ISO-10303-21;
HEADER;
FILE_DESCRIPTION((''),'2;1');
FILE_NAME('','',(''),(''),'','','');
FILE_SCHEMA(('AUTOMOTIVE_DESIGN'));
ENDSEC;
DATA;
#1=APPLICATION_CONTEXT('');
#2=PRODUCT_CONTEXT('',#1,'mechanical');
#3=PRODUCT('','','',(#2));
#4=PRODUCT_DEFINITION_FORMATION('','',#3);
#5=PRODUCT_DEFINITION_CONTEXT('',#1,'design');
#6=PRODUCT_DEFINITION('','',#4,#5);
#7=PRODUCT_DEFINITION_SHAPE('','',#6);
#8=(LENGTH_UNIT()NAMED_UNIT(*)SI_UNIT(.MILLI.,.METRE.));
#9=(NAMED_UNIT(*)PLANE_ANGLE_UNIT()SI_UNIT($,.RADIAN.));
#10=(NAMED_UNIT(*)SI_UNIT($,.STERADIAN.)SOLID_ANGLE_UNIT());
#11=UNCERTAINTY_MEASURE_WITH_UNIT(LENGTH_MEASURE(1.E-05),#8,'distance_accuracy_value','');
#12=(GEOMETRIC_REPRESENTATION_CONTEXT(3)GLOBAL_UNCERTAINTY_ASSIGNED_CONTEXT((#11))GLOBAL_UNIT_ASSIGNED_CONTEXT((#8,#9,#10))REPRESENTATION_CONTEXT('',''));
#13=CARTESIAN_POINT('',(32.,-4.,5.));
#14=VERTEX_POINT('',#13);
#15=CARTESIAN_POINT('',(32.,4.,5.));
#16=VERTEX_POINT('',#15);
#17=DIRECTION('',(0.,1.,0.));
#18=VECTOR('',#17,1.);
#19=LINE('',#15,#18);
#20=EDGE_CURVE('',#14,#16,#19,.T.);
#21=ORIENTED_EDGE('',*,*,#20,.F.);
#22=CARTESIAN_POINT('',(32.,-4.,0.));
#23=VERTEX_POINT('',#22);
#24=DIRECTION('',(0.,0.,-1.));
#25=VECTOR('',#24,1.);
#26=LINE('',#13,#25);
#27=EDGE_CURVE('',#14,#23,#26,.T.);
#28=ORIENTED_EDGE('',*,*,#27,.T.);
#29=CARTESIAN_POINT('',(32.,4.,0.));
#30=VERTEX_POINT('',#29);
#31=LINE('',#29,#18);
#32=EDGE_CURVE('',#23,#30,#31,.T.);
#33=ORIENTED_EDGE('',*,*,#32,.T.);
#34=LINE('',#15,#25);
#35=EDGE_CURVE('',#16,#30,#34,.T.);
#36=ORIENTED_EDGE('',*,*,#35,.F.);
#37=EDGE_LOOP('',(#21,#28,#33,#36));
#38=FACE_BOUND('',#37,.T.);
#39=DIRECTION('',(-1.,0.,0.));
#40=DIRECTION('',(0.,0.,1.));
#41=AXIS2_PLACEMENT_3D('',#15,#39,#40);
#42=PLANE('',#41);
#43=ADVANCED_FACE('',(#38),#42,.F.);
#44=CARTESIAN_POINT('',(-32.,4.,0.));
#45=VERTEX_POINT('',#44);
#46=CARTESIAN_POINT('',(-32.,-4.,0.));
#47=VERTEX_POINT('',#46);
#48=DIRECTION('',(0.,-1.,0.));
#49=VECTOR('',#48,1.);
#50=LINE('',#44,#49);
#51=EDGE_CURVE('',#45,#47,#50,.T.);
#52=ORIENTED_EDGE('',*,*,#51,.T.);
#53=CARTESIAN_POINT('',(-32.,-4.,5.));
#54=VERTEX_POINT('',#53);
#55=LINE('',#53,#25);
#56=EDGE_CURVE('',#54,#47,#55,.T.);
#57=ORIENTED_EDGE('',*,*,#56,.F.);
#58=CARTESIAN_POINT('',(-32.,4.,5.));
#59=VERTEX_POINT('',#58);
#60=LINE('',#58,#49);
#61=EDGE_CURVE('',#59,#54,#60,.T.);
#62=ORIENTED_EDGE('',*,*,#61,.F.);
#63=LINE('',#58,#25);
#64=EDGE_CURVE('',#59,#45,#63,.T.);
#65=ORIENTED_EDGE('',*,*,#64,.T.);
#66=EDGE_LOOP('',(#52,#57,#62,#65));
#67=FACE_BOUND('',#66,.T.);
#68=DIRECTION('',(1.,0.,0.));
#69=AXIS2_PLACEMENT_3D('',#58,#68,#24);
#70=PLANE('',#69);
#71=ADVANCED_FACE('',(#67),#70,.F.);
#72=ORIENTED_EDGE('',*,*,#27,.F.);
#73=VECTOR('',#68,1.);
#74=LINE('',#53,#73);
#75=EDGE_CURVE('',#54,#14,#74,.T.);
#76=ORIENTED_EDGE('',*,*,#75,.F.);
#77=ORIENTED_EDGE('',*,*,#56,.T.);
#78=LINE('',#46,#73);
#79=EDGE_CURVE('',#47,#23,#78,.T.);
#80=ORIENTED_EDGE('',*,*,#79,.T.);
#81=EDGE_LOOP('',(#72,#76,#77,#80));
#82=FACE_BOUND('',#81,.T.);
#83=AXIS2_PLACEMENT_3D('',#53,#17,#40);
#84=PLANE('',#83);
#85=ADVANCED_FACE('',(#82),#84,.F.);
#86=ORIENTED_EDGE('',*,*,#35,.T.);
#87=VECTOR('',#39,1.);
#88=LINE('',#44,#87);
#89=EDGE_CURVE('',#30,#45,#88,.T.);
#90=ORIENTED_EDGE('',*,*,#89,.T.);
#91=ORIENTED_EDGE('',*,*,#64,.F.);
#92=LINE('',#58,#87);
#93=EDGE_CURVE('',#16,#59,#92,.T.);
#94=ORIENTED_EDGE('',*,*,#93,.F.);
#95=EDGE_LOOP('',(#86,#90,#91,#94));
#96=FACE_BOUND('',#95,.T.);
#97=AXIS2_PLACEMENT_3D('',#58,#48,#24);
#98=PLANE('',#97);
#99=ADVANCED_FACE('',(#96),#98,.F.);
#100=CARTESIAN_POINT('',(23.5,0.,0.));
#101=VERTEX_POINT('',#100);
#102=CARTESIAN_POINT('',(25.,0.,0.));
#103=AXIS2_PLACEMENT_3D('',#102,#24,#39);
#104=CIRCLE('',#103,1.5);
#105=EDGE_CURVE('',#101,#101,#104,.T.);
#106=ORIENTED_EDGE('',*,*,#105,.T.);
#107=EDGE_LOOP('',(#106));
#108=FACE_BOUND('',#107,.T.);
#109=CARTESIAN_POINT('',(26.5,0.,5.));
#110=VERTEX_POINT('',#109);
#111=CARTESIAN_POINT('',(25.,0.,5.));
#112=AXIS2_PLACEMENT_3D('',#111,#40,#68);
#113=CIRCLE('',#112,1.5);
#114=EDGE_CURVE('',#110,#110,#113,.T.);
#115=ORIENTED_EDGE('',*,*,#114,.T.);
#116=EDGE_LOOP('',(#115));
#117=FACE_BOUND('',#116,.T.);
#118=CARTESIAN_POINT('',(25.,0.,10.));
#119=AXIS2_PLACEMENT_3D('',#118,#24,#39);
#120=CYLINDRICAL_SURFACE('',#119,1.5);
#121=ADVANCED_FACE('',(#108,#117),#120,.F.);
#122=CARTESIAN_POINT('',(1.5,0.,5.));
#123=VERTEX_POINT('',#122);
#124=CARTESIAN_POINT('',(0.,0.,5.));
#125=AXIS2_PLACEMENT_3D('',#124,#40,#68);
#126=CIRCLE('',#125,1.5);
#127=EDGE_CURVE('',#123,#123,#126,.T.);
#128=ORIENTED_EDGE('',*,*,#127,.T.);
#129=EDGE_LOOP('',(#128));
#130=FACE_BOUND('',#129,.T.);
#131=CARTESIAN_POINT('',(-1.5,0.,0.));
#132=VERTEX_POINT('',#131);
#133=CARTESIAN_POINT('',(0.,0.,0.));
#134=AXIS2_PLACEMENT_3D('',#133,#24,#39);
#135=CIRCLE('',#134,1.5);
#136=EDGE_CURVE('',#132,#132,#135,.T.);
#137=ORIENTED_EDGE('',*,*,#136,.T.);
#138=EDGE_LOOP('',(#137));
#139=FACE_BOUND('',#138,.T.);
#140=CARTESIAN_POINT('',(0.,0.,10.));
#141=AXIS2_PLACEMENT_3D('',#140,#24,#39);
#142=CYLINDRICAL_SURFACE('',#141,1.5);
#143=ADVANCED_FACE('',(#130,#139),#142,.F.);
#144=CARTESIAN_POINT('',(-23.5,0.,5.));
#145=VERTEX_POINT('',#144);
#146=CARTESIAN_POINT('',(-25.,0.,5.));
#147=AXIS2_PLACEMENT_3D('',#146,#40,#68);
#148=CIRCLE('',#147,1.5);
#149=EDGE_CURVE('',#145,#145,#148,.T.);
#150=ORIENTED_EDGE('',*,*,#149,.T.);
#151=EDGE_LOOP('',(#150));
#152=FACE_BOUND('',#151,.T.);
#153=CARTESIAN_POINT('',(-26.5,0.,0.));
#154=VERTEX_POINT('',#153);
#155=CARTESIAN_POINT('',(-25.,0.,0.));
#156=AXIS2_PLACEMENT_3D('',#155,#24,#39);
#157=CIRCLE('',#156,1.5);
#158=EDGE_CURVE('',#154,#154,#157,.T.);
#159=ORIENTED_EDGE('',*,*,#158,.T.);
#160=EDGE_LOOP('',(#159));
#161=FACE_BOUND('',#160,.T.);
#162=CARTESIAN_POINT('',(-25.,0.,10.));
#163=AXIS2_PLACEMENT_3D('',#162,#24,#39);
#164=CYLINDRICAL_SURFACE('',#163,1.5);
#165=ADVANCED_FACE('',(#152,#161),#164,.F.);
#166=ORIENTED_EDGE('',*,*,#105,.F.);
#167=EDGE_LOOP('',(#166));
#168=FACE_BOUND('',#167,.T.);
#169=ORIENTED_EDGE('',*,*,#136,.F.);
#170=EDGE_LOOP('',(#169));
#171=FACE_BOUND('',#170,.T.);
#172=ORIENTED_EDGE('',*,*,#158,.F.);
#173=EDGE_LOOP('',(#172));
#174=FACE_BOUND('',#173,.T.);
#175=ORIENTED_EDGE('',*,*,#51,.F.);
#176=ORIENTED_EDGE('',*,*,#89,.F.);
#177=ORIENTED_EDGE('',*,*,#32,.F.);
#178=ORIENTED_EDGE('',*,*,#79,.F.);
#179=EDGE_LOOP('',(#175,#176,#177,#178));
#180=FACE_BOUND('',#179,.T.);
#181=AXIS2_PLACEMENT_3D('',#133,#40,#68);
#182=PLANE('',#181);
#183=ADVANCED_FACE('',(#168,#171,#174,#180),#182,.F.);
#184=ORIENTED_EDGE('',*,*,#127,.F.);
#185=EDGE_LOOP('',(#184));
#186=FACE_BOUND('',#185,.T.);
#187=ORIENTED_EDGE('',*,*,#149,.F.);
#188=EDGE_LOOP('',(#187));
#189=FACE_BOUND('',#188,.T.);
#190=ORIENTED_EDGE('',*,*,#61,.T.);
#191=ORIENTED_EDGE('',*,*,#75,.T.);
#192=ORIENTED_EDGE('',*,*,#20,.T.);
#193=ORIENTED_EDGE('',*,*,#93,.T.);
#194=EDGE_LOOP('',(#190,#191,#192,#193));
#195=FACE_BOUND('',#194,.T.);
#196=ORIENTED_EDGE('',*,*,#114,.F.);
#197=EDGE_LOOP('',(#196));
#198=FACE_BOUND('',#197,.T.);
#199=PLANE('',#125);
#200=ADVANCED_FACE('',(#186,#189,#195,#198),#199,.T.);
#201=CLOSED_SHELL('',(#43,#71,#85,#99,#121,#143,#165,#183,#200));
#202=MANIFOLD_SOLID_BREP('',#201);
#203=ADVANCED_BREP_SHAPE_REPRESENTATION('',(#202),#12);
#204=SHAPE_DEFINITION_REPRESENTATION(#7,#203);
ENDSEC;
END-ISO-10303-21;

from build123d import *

# Parameters (mm, degrees)
SKETCH1_W           = 64
SKETCH1_H           = 8
BOSS_EXTRUDE1_DEPTH = 5
SKETCH2_R           = 1.5
CUT_EXTRUDE1_DEPTH  = 10


with BuildPart() as part:
    # Sketch1 → Boss-Extrude1 (new body)
    with BuildSketch(Plane.XY):
        Rectangle(SKETCH1_W, SKETCH1_H)
    extrude(amount=BOSS_EXTRUDE1_DEPTH)

    # Sketch2 → Cut-Extrude1 (cut)
    with BuildSketch(Plane(origin=(0, 0, 0), x_dir=(-1, 0, 0), z_dir=(0, 0, -1))):
        with Locations((-25, 0)):
            Circle(SKETCH2_R)
        Circle(SKETCH2_R)
        with Locations((25, 0)):
            Circle(SKETCH2_R)
    extrude(amount=-CUT_EXTRUDE1_DEPTH, mode=Mode.SUBTRACT)


solid = part.part
